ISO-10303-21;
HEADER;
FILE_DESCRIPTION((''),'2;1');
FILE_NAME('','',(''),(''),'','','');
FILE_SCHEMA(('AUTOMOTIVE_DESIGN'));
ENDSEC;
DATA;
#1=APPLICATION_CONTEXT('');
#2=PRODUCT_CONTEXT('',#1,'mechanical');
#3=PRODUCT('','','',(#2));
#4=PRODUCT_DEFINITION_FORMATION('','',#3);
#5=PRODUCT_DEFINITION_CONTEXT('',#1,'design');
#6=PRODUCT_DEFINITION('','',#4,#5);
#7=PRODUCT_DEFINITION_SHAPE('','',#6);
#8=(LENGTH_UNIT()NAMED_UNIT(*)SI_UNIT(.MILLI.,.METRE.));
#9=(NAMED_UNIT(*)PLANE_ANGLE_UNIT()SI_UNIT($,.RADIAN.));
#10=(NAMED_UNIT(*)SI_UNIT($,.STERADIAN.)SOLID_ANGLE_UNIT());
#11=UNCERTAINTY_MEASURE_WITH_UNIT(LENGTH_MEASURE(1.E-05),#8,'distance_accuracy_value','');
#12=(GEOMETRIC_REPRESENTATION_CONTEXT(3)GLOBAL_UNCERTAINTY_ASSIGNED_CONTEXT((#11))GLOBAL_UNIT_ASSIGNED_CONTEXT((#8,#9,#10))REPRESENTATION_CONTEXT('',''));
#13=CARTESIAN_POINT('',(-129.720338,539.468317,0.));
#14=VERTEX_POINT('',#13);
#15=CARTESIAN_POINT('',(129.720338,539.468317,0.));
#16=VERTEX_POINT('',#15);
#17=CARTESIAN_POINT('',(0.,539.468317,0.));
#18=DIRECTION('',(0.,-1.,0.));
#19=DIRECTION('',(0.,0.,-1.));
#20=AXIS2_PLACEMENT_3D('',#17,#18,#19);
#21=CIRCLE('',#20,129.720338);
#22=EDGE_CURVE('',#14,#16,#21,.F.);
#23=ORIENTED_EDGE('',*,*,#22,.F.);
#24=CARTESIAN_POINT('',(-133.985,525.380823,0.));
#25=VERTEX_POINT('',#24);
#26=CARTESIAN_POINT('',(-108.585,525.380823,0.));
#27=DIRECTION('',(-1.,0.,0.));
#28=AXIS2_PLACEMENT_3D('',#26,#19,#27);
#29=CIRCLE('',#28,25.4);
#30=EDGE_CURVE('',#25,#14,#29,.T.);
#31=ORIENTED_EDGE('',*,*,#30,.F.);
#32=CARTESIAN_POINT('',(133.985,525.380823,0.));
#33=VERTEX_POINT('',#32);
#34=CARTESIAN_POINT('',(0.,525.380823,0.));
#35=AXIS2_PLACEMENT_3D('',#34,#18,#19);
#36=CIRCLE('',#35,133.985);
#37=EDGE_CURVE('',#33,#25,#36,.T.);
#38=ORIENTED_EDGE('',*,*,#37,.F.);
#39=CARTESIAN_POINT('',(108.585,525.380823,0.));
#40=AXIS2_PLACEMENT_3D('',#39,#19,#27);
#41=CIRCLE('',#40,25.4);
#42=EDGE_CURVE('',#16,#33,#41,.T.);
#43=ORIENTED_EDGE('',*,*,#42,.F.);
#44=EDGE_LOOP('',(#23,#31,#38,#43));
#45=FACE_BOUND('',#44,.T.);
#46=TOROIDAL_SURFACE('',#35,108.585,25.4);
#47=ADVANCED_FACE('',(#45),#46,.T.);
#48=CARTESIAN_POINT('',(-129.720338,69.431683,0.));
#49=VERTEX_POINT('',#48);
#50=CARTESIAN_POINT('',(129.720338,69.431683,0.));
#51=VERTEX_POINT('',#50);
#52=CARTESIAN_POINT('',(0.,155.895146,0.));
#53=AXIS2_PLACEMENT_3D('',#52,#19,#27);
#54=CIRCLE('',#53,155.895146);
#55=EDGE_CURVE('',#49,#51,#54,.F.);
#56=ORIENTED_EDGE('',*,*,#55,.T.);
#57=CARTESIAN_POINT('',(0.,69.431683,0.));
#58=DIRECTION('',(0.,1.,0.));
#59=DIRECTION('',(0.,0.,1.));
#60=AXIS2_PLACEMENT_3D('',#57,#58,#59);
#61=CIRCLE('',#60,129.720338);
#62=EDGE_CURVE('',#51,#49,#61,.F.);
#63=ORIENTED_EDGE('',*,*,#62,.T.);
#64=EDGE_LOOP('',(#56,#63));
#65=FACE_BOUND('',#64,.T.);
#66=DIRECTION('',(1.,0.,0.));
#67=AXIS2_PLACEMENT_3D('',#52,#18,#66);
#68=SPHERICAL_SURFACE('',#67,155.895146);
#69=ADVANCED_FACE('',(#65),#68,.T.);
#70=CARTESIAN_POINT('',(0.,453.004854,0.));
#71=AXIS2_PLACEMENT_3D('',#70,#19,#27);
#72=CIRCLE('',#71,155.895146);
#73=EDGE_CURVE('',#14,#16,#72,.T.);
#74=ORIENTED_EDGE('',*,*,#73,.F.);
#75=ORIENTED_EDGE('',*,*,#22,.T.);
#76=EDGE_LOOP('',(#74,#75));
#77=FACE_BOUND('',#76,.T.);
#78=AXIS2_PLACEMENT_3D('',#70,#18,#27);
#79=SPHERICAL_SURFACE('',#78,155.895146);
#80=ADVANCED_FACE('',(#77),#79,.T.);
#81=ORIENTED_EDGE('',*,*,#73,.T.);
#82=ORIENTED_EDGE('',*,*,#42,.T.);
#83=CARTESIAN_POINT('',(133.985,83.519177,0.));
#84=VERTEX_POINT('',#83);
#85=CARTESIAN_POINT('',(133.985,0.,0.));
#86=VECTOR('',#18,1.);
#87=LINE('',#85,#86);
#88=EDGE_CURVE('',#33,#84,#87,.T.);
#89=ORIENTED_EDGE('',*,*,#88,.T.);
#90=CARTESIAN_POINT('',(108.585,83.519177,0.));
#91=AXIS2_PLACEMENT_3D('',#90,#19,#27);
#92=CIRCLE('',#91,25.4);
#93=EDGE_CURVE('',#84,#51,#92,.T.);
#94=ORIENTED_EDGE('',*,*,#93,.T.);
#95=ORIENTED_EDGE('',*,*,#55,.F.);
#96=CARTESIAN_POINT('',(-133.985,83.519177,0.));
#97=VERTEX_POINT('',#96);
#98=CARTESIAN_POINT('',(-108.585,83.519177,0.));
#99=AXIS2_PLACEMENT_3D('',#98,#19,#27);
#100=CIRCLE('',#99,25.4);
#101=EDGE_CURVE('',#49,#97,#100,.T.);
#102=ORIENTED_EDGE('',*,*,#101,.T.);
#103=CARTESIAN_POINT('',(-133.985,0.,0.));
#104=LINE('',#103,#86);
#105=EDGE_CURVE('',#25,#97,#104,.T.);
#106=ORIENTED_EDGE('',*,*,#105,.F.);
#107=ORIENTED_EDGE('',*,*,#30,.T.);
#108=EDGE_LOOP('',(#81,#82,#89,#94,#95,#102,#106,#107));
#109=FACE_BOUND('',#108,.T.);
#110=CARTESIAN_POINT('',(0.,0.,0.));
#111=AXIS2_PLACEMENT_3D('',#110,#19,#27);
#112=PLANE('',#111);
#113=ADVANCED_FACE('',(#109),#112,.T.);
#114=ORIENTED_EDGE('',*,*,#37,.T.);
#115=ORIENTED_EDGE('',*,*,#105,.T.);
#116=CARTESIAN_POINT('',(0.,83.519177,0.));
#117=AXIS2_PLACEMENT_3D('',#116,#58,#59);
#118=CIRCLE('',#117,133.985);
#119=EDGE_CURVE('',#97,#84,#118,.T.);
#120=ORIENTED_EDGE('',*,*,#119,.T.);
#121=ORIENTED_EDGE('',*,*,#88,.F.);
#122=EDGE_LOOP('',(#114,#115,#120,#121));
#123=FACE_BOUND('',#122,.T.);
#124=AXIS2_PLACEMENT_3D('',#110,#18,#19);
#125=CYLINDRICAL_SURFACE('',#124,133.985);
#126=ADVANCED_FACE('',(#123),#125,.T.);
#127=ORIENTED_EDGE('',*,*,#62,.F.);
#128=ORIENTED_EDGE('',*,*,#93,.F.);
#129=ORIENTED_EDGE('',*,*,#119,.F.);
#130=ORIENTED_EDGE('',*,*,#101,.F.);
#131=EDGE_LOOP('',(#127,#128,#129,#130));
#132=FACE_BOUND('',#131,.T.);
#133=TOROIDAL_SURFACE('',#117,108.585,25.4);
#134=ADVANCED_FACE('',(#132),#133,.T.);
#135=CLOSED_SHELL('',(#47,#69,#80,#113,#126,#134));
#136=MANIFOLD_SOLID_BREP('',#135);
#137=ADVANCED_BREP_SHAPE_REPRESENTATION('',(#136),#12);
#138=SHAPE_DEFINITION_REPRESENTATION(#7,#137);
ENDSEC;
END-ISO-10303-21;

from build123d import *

# Parameters (mm, degrees)
REVOLVE1_ANGLE = 180
FILLET1_R      = 25.4


with BuildPart() as part:
    # Sketch1 → Revolve1 (revolve)
    with BuildSketch(Plane.XY):
        with BuildLine():
            Line((0, 3.175), (0, 0))
            ThreePointArc((0, 0), (-77.068833235, 20.382447395), (-133.985, 76.2))
            Line((-133.985, 76.2), (-133.985, 532.7))
            ThreePointArc((-133.985, 532.7), (-77.068833235, 588.517552605), (0, 608.9))
            Line((0, 608.9), (0, 605.725))
            ThreePointArc((0, 605.725), (-75.121348346, 585.971864985), (-130.81, 531.822281449))
            Line((-130.81, 531.822281449), (-130.81, 77.077718551))
            ThreePointArc((-130.81, 77.077718551), (-75.121348346, 22.928135015), (0, 3.175))
        make_face()
        with BuildLine():
            Line((0, 3.175), (0, 605.725))
            ThreePointArc((0, 605.725), (-75.121348346, 585.971864985), (-130.81, 531.822281449))
            Line((-130.81, 531.822281449), (-130.81, 77.077718551))
            ThreePointArc((-130.81, 77.077718551), (-75.121348346, 22.928135015), (0, 3.175))
        make_face()
    revolve(axis=Axis((0, 0, 0), (0, 1, 0)), revolution_arc=REVOLVE1_ANGLE)

    # Fillet1
    fillet1_edges = [part.edges().sort_by_distance(p)[0] for p in [
        (0, 76.2, 133.985),
        (0, 532.7, 133.985),
    ]]
    fillet(fillet1_edges, radius=FILLET1_R)


solid = part.part
